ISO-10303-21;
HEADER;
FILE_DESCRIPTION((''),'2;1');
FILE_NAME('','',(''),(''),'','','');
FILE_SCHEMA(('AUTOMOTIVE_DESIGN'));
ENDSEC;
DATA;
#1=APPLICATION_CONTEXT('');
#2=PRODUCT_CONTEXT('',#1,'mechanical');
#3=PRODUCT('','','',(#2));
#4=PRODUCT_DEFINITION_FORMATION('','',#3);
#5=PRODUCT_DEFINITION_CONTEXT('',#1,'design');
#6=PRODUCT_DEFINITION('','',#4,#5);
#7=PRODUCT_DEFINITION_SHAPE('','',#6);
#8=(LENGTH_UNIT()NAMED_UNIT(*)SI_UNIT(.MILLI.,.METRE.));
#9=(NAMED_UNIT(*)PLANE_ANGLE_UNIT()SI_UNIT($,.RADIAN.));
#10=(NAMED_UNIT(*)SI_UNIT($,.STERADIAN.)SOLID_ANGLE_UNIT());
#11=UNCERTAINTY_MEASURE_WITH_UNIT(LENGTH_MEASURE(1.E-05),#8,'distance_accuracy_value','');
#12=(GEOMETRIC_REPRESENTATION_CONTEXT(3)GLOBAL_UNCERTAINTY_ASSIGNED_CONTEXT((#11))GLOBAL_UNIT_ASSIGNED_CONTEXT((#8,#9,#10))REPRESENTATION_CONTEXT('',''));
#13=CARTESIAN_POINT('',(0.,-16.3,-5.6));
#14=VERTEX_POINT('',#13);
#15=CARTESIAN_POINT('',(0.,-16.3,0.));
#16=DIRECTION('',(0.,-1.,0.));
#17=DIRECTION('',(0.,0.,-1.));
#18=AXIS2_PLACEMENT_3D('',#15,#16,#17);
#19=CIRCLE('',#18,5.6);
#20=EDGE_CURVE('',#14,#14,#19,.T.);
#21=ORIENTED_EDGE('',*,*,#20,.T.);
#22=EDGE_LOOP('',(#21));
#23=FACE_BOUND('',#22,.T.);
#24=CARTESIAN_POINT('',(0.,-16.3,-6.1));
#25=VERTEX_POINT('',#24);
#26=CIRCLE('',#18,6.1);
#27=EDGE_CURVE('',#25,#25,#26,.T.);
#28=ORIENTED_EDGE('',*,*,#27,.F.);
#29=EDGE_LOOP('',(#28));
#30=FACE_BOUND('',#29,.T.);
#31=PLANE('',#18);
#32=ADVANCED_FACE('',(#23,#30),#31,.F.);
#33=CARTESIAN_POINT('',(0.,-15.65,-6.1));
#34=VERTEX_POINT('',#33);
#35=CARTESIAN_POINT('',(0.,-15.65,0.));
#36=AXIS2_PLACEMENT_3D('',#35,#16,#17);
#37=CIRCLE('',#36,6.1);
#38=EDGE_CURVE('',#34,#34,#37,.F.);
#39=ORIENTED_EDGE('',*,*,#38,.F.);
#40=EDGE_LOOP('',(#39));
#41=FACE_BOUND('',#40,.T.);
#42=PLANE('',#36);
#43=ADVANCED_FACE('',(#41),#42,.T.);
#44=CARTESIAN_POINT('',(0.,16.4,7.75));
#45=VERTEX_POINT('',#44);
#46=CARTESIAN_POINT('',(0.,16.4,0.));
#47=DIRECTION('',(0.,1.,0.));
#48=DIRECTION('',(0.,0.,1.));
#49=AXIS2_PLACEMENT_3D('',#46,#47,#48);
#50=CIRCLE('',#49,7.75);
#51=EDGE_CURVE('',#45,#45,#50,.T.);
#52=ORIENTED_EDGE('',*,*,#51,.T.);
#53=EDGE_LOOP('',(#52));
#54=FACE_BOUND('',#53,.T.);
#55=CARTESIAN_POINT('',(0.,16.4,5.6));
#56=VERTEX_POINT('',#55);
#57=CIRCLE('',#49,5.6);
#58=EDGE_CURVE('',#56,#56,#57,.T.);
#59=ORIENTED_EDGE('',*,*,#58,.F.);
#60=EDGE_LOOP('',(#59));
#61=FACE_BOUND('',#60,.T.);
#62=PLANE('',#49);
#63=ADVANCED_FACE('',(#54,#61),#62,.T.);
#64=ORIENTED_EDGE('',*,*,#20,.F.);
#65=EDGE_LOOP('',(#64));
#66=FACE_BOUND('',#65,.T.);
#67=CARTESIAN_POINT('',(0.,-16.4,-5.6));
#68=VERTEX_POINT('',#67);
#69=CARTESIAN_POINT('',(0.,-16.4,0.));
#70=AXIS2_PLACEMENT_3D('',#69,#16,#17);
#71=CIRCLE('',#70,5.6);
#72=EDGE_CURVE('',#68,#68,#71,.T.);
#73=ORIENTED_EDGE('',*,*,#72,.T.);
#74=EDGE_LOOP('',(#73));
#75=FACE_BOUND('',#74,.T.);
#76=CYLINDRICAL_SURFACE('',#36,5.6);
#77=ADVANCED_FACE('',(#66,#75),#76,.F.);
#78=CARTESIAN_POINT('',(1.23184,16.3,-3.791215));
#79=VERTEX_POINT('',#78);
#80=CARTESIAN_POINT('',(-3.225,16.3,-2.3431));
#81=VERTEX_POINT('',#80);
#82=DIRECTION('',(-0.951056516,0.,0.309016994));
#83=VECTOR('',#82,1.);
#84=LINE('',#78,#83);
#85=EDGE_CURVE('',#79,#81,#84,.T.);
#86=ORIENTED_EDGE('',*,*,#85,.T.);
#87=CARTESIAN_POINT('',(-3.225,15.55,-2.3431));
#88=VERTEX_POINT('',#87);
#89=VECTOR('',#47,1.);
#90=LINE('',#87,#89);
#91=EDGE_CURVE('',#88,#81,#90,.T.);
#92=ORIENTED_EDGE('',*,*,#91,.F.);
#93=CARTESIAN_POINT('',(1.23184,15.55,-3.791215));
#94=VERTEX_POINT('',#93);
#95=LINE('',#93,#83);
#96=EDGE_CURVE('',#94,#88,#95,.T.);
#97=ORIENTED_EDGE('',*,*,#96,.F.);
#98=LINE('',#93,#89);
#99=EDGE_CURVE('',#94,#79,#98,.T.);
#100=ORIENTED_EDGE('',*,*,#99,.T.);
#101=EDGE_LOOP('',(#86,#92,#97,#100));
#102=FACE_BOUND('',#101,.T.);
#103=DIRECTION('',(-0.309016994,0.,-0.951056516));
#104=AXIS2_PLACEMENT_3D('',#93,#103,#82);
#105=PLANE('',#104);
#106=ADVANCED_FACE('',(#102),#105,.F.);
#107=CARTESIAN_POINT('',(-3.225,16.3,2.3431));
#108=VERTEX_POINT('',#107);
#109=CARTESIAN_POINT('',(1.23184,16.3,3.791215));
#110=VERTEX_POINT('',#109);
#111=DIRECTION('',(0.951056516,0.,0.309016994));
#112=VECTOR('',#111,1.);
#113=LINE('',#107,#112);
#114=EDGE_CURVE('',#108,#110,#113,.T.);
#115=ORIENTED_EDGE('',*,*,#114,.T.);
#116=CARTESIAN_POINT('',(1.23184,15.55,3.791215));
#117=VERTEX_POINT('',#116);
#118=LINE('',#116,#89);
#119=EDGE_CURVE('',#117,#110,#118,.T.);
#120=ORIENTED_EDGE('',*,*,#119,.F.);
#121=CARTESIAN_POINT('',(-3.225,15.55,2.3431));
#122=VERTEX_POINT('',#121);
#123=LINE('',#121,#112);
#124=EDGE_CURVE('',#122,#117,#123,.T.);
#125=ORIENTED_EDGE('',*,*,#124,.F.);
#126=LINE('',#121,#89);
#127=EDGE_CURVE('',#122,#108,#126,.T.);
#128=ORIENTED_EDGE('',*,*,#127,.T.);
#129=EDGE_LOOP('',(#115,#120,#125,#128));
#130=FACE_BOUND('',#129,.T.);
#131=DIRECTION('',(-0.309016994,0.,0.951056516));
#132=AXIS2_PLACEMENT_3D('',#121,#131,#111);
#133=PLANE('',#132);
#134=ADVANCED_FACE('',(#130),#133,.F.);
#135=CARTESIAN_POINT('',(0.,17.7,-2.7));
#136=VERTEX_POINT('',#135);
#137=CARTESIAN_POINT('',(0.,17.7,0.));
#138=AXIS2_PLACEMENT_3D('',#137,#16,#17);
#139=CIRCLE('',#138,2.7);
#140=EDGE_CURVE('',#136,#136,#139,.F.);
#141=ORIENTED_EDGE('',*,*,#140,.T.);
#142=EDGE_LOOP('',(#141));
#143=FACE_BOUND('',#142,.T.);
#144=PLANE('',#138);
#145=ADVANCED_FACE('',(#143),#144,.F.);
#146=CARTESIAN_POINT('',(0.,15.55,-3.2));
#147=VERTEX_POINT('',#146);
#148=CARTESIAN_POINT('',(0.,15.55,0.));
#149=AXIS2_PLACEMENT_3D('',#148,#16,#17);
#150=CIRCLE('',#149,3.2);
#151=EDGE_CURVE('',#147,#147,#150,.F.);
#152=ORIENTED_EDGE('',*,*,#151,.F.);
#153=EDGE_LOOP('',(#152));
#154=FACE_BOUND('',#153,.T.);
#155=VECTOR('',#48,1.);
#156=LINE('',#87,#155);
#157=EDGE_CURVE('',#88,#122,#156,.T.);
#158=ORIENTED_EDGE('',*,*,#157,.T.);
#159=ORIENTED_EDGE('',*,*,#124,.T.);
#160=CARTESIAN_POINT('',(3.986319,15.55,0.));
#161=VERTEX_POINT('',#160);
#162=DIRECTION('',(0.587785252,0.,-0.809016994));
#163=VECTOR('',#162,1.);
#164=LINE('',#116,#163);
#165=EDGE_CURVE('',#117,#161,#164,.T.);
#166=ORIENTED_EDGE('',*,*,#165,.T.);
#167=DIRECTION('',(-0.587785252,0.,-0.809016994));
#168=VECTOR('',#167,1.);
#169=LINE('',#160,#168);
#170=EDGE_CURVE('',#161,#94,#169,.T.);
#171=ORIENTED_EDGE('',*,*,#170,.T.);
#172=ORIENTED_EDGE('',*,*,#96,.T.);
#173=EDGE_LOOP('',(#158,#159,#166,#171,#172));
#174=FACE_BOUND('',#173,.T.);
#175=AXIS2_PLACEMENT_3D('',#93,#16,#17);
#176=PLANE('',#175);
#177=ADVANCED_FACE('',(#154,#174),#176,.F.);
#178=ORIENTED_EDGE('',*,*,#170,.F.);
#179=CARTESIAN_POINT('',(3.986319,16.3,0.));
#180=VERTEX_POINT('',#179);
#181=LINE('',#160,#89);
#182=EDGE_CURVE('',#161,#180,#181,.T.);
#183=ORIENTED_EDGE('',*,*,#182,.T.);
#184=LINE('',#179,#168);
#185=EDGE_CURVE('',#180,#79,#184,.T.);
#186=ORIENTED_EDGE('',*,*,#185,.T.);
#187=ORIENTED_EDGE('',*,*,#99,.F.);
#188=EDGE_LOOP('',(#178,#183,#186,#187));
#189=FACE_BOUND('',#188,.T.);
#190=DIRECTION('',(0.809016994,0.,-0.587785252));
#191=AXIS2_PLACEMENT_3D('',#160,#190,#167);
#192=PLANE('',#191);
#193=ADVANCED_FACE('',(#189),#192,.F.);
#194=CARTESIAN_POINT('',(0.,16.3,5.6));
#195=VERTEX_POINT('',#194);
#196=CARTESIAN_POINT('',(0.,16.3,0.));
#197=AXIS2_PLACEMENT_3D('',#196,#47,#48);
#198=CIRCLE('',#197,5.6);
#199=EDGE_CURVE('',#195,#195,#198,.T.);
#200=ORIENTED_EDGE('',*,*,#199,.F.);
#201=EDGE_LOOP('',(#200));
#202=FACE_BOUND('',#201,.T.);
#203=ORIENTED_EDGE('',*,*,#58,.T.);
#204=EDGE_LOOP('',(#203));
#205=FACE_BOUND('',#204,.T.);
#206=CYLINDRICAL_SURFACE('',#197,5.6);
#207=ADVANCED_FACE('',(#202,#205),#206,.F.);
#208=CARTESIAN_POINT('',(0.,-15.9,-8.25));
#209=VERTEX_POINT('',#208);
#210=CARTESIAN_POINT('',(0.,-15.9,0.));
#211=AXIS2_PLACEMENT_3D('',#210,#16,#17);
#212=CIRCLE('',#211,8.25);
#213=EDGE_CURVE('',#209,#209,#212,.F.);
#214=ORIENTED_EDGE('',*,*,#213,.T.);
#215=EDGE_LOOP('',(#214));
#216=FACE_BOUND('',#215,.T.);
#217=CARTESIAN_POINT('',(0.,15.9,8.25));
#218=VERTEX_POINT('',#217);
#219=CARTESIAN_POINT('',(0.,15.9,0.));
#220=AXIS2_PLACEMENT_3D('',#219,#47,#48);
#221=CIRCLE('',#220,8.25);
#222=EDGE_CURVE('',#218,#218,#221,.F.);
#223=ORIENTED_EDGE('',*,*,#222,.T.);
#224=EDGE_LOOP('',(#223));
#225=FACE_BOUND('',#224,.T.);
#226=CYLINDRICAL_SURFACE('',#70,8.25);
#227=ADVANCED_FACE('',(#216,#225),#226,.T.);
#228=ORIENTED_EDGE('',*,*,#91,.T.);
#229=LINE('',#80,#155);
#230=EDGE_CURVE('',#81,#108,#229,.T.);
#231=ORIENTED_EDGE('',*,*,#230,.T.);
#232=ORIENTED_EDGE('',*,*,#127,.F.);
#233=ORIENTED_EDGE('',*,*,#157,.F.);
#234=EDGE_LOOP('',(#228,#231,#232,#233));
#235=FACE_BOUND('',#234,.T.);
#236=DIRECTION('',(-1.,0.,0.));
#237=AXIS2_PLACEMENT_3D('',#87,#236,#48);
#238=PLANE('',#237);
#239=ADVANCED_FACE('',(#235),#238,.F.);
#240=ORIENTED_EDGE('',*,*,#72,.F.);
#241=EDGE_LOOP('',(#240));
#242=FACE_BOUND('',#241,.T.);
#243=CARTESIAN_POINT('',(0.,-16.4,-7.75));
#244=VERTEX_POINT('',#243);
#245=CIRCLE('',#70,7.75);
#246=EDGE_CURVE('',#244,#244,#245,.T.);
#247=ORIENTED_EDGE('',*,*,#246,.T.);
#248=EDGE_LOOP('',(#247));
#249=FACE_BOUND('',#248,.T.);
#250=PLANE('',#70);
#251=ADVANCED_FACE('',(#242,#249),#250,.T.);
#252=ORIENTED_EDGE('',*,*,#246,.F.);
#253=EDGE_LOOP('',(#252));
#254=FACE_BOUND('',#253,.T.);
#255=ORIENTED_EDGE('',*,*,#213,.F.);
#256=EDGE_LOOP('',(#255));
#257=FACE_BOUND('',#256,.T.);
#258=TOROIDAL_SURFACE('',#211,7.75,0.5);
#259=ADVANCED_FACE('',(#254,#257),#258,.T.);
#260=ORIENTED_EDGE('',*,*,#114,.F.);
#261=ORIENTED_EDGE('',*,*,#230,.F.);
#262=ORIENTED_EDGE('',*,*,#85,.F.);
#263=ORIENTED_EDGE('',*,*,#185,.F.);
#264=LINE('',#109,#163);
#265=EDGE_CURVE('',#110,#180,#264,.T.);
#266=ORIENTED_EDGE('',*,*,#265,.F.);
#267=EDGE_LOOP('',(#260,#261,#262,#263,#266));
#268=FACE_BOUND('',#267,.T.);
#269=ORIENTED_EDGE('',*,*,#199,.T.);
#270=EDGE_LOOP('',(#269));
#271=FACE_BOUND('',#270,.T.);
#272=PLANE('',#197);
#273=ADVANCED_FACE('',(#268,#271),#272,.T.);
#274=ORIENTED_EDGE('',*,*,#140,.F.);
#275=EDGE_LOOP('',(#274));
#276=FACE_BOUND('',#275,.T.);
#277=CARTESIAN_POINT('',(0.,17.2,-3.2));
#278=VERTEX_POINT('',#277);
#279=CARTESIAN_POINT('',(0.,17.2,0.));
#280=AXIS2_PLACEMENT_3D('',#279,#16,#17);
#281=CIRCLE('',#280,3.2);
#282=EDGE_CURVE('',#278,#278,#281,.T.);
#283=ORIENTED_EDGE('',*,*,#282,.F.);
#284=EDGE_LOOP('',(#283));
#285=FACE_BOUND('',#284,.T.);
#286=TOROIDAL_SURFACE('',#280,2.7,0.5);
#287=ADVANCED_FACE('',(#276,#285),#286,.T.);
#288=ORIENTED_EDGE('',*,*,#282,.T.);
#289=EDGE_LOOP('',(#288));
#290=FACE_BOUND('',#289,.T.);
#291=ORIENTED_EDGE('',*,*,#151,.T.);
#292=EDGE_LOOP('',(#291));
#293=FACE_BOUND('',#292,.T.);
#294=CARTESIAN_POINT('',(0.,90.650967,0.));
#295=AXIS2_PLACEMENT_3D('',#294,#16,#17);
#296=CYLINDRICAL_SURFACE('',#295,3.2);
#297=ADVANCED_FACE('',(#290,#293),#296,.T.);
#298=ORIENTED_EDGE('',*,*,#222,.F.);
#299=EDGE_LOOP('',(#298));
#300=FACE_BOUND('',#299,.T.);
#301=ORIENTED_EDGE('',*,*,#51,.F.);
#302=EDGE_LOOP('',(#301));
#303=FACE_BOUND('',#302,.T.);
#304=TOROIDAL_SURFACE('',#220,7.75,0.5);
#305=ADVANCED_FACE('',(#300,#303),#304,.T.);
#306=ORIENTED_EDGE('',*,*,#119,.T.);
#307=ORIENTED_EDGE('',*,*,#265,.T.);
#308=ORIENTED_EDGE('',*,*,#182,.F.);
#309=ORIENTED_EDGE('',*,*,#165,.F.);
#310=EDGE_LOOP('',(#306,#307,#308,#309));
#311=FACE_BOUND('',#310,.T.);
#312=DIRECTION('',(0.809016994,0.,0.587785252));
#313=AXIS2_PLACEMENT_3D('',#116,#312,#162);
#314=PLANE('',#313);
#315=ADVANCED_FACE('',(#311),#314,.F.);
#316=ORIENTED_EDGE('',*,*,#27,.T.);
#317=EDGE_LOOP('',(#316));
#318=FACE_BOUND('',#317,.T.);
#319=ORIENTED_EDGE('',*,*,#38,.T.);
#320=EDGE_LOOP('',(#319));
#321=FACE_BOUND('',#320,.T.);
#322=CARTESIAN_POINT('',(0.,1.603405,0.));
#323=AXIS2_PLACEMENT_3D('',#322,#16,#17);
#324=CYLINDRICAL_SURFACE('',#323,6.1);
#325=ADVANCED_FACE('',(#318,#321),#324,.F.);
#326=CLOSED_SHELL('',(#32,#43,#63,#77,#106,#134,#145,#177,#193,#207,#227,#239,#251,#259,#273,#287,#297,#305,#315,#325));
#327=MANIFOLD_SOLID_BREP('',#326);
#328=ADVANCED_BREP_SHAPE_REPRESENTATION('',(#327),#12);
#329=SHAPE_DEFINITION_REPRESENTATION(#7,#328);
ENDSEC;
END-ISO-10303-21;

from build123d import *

# Parameters (mm, degrees)
SKETCH1_W           = 8.25
SKETCH1_H           = 32.8
SKETCH2_R           = 5.6
CUT_EXTRUDE1_DEPTH  = 0.75
CUT_EXTRUDE2_START  = -0.1
SKETCH3_R           = 5.6
CUT_EXTRUDE2_DEPTH  = 0.1
CUT_EXTRUDE3_DEPTH  = 0.75
SKETCH5_R           = 3.2
BOSS_EXTRUDE3_DEPTH = 2.15
FILLET1_R           = 0.5
SKETCH6_R           = 6.1
SKETCH6_R_2         = 5.6
CUT_EXTRUDE4_DEPTH  = 0.65
FILLET2_R           = 0.5


with BuildPart() as part:
    # Sketch1 → Base-Revolve (revolve)
    with BuildSketch(Plane.XY, mode=Mode.PRIVATE) as base_revolve_sk:
        with Locations((4.125, 0)):
            Rectangle(SKETCH1_W, SKETCH1_H)
    revolve(base_revolve_sk.sketch.rotate(Axis((0, -16.4, 0), (0, 1, 0)), 90), axis=Axis((0, -16.4, 0), (0, 1, 0)))

    # Sketch2 → Cut-Extrude1 (cut)
    with BuildSketch(Plane.XZ.offset(16.4)):
        with Locations(Location((0, 0, 0), (0, 0, 270))):
            Circle(SKETCH2_R)
    extrude(amount=-CUT_EXTRUDE1_DEPTH, mode=Mode.SUBTRACT)

    # Sketch3 → Cut-Extrude2 (cut)
    with BuildSketch(Plane(origin=(0, 16.4, 0), x_dir=(-1, 0, 0), z_dir=(0, 1, 0)).offset(CUT_EXTRUDE2_START)):
        with Locations(Location((0, 0, 0), (0, 0, 270))):
            Circle(SKETCH3_R)
    extrude(amount=CUT_EXTRUDE2_DEPTH, mode=Mode.SUBTRACT)

    # Sketch4 → Cut-Extrude3 (cut)
    with BuildSketch(Plane(origin=(0, 16.3, 0), x_dir=(-1, 0, 0), z_dir=(0, 1, 0))):
        Polygon((3.225, -2.343099653), (3.225, 2.343099653), (-1.231840386, 3.791214877), (-3.986319227, 0), (-1.231840386, -3.791214877), align=None)
    extrude(amount=-CUT_EXTRUDE3_DEPTH, mode=Mode.SUBTRACT)

    # Sketch5 → Boss-Extrude3 (add)
    with BuildSketch(Plane(origin=(0, 15.55, 0), x_dir=(-1, 0, 0), z_dir=(0, 1, 0))):
        with Locations(Location((0, 0, 0), (0, 0, 270))):
            Circle(SKETCH5_R)
    extrude(amount=BOSS_EXTRUDE3_DEPTH)

    # Fillet1
    fillet1_edges = [part.edges().sort_by_distance(p)[0] for p in [
        (0, 17.7, 3.2),
    ]]
    fillet(fillet1_edges, radius=FILLET1_R)

    # Sketch6 → Cut-Extrude4 (cut)
    with BuildSketch(Plane.XZ.offset(16.3)):
        with Locations(Location((0, 0, 0), (0, 0, 270))):
            Circle(SKETCH6_R)
        with Locations(Location((0, 0, 0), (0, 0, 270))):
            Circle(SKETCH6_R_2, mode=Mode.SUBTRACT)
    extrude(amount=-CUT_EXTRUDE4_DEPTH, mode=Mode.SUBTRACT)

    # Fillet2
    fillet2_edges = [part.edges().sort_by_distance(p)[0] for p in [
        (0, -16.4, 8.25),
        (0, 16.4, 8.25),
    ]]
    fillet(fillet2_edges, radius=FILLET2_R)


solid = part.part
